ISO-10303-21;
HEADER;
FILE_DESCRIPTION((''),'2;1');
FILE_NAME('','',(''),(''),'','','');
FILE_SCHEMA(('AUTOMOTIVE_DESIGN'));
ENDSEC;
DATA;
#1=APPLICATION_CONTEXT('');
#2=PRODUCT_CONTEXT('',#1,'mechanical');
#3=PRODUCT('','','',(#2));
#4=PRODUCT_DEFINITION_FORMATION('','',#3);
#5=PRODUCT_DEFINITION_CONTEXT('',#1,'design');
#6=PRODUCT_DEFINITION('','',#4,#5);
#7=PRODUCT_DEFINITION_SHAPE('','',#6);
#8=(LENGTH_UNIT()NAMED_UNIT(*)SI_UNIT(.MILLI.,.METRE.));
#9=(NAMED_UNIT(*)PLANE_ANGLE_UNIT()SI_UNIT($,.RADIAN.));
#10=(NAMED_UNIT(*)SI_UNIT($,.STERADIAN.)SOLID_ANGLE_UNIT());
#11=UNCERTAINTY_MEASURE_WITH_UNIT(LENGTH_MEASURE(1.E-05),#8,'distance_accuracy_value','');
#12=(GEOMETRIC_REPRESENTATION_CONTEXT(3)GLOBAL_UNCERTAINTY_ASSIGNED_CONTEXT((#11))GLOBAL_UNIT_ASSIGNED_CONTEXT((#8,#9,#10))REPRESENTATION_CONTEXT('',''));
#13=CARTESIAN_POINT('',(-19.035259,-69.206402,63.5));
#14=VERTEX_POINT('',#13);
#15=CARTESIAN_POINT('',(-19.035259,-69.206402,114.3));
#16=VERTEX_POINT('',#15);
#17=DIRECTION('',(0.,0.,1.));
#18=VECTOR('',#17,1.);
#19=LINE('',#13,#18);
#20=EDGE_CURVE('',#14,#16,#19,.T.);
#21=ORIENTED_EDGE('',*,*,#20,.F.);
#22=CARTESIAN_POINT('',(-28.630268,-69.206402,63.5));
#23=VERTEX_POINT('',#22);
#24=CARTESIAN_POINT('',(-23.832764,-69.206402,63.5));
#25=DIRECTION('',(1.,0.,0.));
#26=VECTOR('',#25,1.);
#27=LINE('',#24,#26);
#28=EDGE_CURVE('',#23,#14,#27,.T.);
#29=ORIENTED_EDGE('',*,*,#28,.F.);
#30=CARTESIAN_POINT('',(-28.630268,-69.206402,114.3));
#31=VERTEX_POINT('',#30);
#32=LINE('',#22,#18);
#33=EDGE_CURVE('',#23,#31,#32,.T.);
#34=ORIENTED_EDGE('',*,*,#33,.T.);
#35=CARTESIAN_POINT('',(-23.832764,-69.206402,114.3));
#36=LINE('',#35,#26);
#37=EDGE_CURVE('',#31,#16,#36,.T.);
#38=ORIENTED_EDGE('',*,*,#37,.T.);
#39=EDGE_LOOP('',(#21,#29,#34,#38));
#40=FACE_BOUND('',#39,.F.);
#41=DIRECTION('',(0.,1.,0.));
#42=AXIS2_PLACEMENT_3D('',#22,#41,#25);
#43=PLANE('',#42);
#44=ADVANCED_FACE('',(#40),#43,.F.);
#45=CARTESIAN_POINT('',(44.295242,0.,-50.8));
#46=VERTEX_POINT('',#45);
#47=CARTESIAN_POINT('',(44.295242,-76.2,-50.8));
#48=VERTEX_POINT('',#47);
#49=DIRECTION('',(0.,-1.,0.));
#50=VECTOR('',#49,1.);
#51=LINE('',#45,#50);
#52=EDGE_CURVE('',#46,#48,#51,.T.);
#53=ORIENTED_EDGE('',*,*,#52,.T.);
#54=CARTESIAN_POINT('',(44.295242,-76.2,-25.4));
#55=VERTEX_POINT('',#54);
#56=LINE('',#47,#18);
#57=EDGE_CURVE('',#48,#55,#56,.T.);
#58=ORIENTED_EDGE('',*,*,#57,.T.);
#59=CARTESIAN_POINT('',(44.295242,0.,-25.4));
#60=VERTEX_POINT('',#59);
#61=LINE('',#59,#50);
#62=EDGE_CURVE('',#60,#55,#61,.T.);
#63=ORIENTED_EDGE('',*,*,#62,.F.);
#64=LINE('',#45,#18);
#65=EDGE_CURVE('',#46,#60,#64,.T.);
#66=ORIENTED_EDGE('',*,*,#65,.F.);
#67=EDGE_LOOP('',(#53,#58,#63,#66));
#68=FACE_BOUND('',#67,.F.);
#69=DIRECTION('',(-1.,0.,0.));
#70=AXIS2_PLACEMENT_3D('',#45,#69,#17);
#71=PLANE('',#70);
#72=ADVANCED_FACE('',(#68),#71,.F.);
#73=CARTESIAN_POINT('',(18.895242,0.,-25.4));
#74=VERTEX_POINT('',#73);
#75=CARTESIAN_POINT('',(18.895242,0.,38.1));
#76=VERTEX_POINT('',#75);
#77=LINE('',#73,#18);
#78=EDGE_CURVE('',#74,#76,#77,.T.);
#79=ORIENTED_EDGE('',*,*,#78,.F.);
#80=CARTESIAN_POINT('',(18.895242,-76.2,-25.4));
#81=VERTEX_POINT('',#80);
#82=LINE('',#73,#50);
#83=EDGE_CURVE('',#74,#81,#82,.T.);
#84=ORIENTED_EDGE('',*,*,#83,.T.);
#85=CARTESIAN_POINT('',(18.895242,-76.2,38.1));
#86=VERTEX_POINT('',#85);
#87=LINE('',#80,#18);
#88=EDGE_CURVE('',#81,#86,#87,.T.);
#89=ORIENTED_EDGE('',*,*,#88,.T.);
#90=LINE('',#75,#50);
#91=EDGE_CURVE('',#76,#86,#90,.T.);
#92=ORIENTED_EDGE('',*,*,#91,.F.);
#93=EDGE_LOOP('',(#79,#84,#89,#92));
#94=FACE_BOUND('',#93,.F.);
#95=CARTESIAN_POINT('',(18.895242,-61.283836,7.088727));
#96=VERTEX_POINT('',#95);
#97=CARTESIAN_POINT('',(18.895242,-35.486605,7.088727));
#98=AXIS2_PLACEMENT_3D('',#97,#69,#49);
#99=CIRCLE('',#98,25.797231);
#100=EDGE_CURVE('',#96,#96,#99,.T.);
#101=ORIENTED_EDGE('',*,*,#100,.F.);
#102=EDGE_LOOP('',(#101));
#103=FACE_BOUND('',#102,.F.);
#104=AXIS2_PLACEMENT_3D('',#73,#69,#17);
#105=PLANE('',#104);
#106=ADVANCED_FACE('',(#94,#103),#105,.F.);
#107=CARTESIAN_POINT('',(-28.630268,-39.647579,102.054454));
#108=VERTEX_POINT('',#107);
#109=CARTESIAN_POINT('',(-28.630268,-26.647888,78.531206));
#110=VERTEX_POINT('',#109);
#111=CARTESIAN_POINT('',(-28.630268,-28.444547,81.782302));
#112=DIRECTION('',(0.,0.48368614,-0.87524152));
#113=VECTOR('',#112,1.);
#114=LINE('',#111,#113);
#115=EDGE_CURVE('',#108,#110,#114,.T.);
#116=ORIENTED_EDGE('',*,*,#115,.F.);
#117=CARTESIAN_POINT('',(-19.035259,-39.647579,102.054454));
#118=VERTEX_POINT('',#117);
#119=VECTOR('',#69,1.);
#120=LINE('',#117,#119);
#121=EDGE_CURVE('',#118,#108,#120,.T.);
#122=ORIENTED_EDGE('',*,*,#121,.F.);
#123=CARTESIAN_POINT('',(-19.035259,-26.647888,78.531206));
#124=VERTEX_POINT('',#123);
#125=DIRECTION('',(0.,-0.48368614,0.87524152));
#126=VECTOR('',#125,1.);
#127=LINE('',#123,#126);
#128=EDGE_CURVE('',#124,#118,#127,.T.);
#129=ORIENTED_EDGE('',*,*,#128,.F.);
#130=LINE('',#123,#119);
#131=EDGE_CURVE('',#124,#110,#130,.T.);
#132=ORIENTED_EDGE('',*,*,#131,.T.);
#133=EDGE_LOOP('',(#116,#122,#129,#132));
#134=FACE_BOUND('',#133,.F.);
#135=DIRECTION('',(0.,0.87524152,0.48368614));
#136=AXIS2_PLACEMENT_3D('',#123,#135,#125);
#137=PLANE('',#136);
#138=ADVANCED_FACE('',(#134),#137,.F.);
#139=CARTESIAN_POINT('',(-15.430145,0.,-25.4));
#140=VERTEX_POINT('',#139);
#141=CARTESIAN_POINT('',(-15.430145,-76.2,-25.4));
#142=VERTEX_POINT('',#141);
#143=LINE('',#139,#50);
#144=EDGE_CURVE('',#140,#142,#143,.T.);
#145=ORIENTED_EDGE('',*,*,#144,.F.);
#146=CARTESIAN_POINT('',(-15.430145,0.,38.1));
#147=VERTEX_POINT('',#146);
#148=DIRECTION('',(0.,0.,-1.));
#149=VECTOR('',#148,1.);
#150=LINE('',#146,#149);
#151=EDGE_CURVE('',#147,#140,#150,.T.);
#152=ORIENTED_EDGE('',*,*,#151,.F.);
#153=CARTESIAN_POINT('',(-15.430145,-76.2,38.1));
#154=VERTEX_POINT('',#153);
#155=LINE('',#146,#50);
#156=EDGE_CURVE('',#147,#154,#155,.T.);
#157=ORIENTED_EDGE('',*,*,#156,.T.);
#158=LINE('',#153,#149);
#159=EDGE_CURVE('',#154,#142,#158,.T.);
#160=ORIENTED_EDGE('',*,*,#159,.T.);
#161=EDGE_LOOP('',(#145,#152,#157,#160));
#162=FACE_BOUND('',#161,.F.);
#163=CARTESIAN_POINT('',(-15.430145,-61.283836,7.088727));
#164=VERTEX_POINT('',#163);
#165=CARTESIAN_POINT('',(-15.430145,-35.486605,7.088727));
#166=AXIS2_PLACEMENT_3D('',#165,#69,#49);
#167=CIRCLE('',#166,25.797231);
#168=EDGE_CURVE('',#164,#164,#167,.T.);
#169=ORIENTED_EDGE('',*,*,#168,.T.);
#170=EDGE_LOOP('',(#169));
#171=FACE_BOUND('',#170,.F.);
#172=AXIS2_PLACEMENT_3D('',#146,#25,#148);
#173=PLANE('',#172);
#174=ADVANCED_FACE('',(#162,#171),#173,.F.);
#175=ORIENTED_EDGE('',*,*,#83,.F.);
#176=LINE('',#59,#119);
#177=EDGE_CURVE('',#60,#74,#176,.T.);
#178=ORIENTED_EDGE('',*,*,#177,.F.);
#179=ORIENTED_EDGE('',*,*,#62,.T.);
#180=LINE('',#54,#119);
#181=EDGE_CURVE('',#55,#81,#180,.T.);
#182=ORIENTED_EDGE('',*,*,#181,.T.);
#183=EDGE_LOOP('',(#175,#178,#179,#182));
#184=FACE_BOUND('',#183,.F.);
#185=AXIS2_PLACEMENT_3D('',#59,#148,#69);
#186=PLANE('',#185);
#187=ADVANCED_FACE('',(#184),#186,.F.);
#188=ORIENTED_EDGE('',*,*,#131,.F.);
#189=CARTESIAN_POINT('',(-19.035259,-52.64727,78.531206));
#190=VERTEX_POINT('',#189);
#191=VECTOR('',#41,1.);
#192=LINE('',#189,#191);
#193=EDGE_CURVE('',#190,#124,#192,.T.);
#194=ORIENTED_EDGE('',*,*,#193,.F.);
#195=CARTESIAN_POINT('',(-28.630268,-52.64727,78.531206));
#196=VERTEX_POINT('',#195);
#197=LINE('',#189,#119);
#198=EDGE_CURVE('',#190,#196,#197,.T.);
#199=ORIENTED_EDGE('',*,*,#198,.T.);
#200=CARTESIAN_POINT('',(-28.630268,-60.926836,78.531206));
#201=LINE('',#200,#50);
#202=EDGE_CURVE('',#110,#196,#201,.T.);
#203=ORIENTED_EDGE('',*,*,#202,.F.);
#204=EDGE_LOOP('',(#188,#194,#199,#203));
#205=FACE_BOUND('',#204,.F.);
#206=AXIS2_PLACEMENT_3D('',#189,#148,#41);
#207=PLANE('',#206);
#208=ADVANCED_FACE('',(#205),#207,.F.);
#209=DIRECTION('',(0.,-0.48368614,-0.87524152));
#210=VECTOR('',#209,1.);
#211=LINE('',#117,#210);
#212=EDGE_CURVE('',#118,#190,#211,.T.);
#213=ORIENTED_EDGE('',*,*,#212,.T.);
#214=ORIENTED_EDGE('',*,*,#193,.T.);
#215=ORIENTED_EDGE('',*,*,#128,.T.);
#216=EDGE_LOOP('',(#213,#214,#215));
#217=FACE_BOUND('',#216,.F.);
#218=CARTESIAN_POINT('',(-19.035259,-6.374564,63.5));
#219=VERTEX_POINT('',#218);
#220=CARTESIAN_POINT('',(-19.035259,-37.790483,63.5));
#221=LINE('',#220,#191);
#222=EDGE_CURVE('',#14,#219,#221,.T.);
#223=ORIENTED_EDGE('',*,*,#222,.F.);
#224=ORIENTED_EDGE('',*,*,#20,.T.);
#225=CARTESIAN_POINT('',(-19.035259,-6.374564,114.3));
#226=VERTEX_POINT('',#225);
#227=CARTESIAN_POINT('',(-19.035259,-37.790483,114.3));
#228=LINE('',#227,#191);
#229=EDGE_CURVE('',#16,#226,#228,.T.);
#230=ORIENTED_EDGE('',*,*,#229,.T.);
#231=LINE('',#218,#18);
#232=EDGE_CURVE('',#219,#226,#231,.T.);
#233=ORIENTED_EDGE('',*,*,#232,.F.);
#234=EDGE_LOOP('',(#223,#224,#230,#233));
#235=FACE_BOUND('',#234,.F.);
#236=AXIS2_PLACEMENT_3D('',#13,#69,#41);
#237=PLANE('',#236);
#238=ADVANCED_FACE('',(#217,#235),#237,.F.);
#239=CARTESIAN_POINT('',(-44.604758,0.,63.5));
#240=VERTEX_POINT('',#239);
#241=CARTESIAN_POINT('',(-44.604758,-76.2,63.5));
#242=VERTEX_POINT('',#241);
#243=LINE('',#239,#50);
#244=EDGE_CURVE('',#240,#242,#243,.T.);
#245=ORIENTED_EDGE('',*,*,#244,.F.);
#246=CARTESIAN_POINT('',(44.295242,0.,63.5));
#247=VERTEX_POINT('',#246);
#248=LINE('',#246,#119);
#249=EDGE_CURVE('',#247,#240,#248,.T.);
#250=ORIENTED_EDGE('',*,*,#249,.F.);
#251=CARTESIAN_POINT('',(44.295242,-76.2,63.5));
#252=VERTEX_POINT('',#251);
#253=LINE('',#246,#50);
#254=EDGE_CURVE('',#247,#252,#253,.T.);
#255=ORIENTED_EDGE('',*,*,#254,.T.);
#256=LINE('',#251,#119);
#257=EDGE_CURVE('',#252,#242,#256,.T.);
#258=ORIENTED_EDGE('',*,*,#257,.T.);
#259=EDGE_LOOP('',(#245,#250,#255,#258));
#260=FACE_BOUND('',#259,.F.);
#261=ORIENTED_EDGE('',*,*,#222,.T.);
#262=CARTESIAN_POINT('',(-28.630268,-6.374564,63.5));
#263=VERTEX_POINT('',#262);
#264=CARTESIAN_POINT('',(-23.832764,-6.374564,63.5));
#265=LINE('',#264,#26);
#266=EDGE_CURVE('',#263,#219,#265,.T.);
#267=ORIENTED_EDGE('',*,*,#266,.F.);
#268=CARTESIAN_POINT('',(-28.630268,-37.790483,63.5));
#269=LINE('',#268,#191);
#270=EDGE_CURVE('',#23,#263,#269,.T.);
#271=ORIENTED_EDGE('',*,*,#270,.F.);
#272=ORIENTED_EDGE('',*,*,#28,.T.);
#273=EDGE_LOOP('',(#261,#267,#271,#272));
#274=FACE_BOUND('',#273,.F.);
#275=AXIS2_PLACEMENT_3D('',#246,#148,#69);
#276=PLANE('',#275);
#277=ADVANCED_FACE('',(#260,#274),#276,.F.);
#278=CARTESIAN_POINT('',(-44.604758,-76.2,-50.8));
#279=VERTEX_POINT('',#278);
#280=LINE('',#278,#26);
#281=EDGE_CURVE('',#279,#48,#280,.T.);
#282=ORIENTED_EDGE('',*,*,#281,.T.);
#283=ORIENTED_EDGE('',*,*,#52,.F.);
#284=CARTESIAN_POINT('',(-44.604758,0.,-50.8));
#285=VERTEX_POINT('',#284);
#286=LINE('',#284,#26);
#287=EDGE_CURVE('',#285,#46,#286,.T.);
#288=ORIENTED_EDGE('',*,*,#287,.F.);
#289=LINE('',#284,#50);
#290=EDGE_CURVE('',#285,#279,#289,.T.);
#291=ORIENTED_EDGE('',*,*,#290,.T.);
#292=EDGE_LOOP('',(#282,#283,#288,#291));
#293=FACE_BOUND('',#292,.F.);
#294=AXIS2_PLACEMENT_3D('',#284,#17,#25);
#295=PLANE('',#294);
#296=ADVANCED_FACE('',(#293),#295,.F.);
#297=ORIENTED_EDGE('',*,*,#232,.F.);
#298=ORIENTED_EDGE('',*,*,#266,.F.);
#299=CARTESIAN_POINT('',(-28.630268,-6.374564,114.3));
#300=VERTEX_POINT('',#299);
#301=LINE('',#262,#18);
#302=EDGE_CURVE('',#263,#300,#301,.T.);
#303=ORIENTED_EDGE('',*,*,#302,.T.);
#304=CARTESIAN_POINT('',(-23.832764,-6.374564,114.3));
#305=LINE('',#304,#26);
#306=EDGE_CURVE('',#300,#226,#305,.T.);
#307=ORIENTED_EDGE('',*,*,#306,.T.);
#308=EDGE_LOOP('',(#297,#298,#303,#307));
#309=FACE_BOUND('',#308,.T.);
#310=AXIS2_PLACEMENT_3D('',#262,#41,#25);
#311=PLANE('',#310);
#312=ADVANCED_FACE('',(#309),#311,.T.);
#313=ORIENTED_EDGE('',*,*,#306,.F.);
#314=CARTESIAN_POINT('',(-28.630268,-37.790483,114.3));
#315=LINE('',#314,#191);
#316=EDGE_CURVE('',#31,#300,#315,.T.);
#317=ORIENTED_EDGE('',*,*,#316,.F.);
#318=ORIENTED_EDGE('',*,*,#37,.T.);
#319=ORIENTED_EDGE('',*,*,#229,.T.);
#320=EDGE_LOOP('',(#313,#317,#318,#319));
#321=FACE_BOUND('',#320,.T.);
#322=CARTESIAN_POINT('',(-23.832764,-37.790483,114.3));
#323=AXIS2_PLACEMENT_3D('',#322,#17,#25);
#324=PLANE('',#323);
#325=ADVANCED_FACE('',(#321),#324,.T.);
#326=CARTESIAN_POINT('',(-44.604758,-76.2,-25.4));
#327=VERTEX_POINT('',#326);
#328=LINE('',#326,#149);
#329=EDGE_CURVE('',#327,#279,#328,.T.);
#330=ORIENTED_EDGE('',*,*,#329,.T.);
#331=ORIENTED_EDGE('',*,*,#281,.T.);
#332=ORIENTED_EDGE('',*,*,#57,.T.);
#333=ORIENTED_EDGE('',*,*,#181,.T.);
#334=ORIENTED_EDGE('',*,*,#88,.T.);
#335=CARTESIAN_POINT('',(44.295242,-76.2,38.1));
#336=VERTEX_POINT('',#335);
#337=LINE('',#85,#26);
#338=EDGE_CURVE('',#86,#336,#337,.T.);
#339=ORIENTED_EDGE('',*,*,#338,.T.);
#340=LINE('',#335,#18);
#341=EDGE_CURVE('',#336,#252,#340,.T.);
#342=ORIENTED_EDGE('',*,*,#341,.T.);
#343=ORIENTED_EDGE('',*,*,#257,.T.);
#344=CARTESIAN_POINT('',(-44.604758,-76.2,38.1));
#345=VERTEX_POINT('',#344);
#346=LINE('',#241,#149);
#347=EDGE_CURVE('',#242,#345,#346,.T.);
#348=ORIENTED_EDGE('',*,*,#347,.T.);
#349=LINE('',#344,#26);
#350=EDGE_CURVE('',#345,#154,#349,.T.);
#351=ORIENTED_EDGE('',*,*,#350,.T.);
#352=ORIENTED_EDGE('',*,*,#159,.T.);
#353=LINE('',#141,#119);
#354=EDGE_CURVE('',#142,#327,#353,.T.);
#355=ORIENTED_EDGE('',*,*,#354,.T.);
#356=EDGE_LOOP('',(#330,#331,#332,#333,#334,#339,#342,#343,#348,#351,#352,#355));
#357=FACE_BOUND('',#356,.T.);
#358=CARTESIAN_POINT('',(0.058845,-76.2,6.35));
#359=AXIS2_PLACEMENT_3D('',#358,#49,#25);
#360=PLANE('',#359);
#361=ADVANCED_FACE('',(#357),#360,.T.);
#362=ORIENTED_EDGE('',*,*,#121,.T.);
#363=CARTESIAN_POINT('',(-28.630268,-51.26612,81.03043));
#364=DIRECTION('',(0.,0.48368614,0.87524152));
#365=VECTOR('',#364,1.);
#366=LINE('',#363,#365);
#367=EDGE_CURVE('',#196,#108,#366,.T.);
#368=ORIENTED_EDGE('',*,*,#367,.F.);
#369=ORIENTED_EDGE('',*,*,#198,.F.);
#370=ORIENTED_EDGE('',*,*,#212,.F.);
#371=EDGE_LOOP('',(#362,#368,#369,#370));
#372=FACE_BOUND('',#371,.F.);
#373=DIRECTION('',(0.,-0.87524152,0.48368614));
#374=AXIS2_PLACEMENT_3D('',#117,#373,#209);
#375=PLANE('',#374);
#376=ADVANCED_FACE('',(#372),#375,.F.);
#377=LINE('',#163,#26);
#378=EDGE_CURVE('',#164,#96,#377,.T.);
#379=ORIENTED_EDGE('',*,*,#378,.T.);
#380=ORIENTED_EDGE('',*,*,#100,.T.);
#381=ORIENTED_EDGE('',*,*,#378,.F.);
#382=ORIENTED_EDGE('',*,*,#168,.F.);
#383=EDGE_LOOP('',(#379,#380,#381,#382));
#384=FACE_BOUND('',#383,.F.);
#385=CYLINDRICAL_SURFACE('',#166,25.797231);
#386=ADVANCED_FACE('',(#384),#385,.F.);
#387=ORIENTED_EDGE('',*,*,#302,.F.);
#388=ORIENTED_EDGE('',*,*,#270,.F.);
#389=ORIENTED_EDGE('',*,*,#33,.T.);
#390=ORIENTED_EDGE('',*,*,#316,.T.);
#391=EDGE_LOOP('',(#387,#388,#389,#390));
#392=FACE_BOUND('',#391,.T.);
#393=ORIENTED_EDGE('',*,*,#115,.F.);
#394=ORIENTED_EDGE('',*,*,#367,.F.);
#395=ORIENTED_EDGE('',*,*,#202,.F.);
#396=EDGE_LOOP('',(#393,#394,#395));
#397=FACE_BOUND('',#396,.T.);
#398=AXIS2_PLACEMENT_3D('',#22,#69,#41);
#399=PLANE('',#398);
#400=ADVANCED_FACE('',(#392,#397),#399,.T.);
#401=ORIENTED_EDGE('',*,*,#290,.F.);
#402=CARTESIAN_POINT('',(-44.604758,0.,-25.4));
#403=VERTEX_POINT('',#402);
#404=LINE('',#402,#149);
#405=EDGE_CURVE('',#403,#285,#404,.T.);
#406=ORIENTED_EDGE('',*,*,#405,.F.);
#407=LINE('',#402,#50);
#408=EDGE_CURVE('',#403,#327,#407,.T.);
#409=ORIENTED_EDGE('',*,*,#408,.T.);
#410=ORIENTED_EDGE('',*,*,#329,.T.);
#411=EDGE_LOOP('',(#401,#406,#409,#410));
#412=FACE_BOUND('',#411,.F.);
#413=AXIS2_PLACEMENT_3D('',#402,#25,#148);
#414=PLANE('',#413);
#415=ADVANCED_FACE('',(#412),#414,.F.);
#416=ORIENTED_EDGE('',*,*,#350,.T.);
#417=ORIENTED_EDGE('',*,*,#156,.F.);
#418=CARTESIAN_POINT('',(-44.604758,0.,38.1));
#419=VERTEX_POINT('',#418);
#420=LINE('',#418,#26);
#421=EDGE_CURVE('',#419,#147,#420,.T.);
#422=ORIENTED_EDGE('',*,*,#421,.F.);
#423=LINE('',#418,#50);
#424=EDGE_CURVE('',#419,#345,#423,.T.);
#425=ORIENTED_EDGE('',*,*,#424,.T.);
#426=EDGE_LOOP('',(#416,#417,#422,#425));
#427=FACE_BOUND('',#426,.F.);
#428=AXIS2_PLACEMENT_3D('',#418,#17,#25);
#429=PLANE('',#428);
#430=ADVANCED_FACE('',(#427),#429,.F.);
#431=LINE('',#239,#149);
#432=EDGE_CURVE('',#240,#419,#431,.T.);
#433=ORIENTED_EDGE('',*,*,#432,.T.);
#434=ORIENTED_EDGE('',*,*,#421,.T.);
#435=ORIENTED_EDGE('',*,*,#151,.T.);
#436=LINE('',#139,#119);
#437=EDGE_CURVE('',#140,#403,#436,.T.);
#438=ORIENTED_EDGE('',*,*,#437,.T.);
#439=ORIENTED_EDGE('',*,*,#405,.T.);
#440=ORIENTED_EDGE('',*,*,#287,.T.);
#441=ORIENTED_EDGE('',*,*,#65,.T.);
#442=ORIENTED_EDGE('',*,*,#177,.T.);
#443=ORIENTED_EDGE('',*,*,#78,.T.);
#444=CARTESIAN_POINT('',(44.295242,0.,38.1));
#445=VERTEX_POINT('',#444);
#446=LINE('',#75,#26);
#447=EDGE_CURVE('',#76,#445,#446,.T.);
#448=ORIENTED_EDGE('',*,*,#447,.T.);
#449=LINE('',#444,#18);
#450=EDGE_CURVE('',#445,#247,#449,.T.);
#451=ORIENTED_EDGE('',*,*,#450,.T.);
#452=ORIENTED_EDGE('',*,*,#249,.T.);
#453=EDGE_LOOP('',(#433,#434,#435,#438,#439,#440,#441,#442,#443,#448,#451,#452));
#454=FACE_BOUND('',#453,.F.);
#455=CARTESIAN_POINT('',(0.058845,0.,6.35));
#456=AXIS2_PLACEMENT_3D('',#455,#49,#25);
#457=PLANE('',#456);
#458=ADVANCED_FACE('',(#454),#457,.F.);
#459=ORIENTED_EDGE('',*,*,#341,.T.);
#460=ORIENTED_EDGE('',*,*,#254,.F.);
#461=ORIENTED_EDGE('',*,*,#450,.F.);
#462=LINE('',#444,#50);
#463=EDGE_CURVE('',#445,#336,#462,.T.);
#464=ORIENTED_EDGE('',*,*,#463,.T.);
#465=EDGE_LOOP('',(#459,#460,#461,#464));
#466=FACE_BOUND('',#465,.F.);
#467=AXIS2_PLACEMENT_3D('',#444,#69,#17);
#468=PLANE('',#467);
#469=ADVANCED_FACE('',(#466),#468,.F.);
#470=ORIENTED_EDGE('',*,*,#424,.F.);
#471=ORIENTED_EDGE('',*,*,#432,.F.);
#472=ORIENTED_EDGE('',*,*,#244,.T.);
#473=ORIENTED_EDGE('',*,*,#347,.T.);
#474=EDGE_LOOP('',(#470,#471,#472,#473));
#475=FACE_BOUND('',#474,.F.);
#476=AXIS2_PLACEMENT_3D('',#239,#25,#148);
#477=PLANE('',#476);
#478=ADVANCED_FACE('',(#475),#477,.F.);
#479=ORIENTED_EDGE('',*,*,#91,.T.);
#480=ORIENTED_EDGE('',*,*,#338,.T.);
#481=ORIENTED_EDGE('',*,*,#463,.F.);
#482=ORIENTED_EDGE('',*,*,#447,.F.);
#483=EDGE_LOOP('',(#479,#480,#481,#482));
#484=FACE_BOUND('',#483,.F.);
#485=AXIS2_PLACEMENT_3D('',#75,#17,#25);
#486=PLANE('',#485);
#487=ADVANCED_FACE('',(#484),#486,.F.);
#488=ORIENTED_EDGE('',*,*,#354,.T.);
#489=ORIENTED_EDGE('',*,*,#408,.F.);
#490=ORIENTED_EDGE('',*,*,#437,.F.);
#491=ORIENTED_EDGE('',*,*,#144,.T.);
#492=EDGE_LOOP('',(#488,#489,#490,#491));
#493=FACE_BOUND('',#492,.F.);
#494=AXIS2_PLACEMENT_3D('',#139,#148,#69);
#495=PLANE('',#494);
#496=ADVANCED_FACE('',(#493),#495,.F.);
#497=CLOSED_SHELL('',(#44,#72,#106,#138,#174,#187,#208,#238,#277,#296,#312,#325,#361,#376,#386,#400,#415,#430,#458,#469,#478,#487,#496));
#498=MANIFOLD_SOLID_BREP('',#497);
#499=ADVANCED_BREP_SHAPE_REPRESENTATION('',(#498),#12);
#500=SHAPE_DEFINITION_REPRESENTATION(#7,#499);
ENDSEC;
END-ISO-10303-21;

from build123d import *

# Parameters (mm, degrees)
F1_DEPTH = 76.2
F2_W     = 9.595008567
F2_H     = 62.8318372183
F3_DEPTH = 50.8
F5_DEPTH = 25.5704986105
F6_R     = 25.7972308172
F7_DEPTH = 59.7263876276


with BuildPart() as f1:
    # F0 (on Front) → F1 (new body)
    with BuildSketch(Plane.XZ):
        Polygon((-44.6047578722, -25.4), (-44.6047578722, -50.8), (44.2952421278, -50.8), (44.2952421278, -25.4), (18.8952421278, -25.4), (18.8952421278, 38.1), (44.2952421278, 38.1), (44.2952421278, 63.5), (-44.6047578722, 63.5), (-44.6047578722, 38.1), (-15.4301454999, 38.1), (-15.4301454999, -25.4), align=None)
    extrude(amount=F1_DEPTH)

    # F2 (on face) → F3 (join)
    with BuildSketch(Plane.XY.offset(63.5)):
        with Locations((-23.8327635452, -37.7904830966)):
            Rectangle(F2_W, F2_H)
    extrude(amount=F3_DEPTH)

    # F4 (on face) → F5 (cut, through all)
    with BuildSketch(Plane.YZ.offset(-19.0352592617)):
        Polygon((-52.6472702622, 78.5312056541), (-26.647888124, 78.5312056541), (-39.6475791931, 102.0544543862), align=None)
    extrude(amount=-F5_DEPTH, mode=Mode.SUBTRACT)

    # F6 (on face) → F7 (cut, through all)
    with BuildSketch(Plane(origin=(-15.4301454999, 0, 0), x_dir=(0, -1, 0), z_dir=(-1, 0, 0))):
        with Locations((35.4866050184, 7.0887273178)):
            Circle(F6_R)
    extrude(amount=-F7_DEPTH, mode=Mode.SUBTRACT)


solid = f1.part
